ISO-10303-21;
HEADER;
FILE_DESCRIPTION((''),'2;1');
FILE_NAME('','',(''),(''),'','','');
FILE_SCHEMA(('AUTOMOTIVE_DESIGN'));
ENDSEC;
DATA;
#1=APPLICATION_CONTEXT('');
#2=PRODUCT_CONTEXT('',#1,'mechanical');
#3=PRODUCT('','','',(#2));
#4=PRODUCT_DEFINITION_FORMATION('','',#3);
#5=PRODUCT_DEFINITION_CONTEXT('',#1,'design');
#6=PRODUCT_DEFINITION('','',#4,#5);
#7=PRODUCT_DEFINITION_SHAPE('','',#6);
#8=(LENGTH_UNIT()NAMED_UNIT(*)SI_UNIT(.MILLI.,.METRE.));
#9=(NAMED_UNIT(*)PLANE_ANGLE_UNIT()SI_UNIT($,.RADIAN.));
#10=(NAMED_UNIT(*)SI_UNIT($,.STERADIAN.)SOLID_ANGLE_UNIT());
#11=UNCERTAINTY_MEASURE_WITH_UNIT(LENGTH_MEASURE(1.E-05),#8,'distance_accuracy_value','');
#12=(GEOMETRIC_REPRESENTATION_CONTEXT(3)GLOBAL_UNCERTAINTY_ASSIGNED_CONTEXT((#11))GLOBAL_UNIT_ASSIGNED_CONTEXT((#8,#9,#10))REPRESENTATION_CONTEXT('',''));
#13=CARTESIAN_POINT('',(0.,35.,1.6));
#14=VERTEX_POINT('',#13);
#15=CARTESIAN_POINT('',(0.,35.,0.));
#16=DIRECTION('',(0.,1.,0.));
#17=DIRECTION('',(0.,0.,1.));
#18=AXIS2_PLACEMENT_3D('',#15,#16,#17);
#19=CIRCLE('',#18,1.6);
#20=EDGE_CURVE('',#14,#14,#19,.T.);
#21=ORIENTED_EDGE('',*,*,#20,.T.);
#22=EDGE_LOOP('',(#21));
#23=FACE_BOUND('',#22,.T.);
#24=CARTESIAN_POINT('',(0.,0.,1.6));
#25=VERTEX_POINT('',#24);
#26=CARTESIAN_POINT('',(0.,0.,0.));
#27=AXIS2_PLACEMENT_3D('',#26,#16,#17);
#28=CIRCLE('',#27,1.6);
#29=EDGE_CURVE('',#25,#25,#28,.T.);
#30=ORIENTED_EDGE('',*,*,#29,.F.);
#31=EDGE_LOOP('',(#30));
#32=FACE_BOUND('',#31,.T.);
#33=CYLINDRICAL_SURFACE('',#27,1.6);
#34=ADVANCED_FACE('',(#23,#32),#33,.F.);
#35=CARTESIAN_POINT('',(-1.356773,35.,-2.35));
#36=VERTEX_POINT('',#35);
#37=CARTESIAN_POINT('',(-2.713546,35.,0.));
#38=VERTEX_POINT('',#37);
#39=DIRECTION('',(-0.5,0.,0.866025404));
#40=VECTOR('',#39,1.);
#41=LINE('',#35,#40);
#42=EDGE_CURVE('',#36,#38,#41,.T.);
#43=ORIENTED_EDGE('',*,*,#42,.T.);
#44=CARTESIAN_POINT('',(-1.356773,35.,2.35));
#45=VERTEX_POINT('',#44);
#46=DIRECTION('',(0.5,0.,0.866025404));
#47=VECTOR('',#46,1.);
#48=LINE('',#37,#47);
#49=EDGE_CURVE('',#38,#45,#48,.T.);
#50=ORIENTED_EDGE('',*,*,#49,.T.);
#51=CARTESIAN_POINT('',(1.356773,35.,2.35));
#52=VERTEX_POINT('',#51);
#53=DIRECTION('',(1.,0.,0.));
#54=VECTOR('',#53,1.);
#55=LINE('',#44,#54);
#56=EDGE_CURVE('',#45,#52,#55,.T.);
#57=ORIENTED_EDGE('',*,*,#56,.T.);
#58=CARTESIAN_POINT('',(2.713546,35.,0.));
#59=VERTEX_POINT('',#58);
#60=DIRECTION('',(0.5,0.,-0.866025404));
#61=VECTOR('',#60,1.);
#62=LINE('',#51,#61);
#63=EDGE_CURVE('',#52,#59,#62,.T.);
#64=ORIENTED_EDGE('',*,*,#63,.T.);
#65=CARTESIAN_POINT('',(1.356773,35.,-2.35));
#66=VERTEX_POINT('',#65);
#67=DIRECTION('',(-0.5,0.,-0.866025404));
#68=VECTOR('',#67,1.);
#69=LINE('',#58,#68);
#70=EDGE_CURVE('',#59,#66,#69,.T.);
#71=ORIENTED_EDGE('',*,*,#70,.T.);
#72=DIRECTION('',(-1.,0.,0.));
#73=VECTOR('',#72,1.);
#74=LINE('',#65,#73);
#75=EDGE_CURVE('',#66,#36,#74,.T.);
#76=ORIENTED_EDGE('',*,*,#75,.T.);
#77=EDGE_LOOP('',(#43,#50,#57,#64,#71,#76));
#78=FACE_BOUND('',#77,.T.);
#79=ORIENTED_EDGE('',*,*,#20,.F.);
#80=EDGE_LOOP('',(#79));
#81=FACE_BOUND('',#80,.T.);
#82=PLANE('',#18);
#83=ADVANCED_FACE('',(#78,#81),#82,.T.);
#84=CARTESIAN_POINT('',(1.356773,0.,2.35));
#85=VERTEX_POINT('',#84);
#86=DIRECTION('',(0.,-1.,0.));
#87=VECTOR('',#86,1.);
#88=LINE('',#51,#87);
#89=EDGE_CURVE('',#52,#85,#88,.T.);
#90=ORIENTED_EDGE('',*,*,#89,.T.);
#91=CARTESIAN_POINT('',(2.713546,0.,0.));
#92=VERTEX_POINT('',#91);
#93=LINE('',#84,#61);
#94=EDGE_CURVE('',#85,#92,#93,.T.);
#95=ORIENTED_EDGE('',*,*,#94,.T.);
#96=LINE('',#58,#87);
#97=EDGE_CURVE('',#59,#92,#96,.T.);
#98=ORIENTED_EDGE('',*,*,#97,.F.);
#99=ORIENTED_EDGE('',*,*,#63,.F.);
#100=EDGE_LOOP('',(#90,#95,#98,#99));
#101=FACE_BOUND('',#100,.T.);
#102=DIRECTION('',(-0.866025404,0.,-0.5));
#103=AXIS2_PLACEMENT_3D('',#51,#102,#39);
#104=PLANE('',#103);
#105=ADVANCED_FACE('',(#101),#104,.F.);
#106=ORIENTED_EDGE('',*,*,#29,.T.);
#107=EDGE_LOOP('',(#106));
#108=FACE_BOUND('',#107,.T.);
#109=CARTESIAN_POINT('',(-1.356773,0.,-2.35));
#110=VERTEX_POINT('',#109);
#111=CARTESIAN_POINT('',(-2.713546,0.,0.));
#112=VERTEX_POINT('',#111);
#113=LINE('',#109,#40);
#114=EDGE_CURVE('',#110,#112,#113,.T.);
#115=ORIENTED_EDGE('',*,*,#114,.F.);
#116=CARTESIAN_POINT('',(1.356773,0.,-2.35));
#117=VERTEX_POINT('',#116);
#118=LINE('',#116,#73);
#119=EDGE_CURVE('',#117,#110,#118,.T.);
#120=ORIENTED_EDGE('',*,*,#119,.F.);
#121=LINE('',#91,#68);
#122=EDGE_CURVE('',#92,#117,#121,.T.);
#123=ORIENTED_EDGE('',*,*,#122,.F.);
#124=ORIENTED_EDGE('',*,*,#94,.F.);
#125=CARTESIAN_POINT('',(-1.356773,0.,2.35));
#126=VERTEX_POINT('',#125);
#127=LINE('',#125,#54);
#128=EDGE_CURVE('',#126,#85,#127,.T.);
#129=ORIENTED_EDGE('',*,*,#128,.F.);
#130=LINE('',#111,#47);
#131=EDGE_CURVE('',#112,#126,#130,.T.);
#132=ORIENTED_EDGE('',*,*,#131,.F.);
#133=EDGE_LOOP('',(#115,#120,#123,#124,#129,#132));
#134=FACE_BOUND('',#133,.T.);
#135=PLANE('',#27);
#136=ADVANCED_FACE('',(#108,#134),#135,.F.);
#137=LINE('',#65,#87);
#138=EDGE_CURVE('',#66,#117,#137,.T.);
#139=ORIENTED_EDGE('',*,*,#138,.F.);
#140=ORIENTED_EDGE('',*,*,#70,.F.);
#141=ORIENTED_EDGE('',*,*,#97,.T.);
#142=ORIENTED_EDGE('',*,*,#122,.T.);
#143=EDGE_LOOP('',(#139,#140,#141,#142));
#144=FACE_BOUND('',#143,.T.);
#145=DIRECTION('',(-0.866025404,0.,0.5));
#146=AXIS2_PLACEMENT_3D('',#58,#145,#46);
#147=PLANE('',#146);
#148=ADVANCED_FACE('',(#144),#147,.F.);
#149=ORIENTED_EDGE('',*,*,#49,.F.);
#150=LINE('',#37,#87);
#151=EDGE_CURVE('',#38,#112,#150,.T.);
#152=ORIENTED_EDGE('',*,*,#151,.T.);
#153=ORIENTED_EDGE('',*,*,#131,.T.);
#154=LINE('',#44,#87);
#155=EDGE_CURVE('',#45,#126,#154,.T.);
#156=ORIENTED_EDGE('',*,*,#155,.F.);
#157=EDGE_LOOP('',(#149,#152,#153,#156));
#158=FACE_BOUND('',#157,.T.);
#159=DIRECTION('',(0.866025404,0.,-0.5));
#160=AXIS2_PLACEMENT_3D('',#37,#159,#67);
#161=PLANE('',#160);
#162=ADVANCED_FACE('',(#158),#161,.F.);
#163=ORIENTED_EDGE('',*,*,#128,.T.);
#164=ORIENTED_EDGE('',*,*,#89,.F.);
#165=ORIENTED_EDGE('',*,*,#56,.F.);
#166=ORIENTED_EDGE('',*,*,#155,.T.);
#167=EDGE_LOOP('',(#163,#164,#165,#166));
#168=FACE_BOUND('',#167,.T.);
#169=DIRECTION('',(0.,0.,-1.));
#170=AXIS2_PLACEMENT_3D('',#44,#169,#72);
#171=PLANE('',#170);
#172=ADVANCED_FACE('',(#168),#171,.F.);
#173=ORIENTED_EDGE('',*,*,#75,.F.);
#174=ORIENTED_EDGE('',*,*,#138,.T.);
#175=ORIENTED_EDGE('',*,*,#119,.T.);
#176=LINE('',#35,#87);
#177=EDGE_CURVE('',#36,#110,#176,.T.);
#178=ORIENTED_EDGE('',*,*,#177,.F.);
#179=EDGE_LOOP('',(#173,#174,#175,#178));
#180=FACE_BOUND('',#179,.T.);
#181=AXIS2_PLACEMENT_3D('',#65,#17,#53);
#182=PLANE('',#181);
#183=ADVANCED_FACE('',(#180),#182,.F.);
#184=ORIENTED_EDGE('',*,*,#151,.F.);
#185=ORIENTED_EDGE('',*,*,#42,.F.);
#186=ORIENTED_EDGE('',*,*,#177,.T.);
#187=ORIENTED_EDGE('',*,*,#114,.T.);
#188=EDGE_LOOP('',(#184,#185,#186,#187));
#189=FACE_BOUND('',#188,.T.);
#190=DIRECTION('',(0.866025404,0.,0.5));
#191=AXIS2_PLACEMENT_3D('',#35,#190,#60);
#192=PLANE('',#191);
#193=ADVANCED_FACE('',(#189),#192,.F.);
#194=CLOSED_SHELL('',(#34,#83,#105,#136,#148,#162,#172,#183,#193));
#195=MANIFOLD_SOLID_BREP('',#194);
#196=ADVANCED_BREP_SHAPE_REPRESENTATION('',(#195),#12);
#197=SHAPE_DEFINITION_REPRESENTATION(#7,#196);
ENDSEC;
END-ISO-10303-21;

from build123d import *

# Parameters (mm, degrees)
EXTRUDE_1_DEPTH     = 35
SKETCH_2_R          = 1.6
CUT_EXTRUDE_1_DEPTH = 36


with BuildPart() as part:
    # 草图1 → 凸台-拉伸1 (new body)
    with BuildSketch(Plane(origin=(0, 0, 0), x_dir=(1, 0, 0), z_dir=(0, 1, 0))):
        Polygon((2.713546265, 0), (1.356773133, 2.35), (-1.356773133, 2.35), (-2.713546265, 0), (-1.356773133, -2.35), (1.356773133, -2.35), align=None)
    extrude(amount=EXTRUDE_1_DEPTH)

    # 草图2 → 切除-拉伸1 (cut, through all)
    with BuildSketch(Plane(origin=(0, 35, 0), x_dir=(1, 0, 0), z_dir=(0, 1, 0))):
        Circle(SKETCH_2_R)
    extrude(amount=-CUT_EXTRUDE_1_DEPTH, mode=Mode.SUBTRACT)


solid = part.part
